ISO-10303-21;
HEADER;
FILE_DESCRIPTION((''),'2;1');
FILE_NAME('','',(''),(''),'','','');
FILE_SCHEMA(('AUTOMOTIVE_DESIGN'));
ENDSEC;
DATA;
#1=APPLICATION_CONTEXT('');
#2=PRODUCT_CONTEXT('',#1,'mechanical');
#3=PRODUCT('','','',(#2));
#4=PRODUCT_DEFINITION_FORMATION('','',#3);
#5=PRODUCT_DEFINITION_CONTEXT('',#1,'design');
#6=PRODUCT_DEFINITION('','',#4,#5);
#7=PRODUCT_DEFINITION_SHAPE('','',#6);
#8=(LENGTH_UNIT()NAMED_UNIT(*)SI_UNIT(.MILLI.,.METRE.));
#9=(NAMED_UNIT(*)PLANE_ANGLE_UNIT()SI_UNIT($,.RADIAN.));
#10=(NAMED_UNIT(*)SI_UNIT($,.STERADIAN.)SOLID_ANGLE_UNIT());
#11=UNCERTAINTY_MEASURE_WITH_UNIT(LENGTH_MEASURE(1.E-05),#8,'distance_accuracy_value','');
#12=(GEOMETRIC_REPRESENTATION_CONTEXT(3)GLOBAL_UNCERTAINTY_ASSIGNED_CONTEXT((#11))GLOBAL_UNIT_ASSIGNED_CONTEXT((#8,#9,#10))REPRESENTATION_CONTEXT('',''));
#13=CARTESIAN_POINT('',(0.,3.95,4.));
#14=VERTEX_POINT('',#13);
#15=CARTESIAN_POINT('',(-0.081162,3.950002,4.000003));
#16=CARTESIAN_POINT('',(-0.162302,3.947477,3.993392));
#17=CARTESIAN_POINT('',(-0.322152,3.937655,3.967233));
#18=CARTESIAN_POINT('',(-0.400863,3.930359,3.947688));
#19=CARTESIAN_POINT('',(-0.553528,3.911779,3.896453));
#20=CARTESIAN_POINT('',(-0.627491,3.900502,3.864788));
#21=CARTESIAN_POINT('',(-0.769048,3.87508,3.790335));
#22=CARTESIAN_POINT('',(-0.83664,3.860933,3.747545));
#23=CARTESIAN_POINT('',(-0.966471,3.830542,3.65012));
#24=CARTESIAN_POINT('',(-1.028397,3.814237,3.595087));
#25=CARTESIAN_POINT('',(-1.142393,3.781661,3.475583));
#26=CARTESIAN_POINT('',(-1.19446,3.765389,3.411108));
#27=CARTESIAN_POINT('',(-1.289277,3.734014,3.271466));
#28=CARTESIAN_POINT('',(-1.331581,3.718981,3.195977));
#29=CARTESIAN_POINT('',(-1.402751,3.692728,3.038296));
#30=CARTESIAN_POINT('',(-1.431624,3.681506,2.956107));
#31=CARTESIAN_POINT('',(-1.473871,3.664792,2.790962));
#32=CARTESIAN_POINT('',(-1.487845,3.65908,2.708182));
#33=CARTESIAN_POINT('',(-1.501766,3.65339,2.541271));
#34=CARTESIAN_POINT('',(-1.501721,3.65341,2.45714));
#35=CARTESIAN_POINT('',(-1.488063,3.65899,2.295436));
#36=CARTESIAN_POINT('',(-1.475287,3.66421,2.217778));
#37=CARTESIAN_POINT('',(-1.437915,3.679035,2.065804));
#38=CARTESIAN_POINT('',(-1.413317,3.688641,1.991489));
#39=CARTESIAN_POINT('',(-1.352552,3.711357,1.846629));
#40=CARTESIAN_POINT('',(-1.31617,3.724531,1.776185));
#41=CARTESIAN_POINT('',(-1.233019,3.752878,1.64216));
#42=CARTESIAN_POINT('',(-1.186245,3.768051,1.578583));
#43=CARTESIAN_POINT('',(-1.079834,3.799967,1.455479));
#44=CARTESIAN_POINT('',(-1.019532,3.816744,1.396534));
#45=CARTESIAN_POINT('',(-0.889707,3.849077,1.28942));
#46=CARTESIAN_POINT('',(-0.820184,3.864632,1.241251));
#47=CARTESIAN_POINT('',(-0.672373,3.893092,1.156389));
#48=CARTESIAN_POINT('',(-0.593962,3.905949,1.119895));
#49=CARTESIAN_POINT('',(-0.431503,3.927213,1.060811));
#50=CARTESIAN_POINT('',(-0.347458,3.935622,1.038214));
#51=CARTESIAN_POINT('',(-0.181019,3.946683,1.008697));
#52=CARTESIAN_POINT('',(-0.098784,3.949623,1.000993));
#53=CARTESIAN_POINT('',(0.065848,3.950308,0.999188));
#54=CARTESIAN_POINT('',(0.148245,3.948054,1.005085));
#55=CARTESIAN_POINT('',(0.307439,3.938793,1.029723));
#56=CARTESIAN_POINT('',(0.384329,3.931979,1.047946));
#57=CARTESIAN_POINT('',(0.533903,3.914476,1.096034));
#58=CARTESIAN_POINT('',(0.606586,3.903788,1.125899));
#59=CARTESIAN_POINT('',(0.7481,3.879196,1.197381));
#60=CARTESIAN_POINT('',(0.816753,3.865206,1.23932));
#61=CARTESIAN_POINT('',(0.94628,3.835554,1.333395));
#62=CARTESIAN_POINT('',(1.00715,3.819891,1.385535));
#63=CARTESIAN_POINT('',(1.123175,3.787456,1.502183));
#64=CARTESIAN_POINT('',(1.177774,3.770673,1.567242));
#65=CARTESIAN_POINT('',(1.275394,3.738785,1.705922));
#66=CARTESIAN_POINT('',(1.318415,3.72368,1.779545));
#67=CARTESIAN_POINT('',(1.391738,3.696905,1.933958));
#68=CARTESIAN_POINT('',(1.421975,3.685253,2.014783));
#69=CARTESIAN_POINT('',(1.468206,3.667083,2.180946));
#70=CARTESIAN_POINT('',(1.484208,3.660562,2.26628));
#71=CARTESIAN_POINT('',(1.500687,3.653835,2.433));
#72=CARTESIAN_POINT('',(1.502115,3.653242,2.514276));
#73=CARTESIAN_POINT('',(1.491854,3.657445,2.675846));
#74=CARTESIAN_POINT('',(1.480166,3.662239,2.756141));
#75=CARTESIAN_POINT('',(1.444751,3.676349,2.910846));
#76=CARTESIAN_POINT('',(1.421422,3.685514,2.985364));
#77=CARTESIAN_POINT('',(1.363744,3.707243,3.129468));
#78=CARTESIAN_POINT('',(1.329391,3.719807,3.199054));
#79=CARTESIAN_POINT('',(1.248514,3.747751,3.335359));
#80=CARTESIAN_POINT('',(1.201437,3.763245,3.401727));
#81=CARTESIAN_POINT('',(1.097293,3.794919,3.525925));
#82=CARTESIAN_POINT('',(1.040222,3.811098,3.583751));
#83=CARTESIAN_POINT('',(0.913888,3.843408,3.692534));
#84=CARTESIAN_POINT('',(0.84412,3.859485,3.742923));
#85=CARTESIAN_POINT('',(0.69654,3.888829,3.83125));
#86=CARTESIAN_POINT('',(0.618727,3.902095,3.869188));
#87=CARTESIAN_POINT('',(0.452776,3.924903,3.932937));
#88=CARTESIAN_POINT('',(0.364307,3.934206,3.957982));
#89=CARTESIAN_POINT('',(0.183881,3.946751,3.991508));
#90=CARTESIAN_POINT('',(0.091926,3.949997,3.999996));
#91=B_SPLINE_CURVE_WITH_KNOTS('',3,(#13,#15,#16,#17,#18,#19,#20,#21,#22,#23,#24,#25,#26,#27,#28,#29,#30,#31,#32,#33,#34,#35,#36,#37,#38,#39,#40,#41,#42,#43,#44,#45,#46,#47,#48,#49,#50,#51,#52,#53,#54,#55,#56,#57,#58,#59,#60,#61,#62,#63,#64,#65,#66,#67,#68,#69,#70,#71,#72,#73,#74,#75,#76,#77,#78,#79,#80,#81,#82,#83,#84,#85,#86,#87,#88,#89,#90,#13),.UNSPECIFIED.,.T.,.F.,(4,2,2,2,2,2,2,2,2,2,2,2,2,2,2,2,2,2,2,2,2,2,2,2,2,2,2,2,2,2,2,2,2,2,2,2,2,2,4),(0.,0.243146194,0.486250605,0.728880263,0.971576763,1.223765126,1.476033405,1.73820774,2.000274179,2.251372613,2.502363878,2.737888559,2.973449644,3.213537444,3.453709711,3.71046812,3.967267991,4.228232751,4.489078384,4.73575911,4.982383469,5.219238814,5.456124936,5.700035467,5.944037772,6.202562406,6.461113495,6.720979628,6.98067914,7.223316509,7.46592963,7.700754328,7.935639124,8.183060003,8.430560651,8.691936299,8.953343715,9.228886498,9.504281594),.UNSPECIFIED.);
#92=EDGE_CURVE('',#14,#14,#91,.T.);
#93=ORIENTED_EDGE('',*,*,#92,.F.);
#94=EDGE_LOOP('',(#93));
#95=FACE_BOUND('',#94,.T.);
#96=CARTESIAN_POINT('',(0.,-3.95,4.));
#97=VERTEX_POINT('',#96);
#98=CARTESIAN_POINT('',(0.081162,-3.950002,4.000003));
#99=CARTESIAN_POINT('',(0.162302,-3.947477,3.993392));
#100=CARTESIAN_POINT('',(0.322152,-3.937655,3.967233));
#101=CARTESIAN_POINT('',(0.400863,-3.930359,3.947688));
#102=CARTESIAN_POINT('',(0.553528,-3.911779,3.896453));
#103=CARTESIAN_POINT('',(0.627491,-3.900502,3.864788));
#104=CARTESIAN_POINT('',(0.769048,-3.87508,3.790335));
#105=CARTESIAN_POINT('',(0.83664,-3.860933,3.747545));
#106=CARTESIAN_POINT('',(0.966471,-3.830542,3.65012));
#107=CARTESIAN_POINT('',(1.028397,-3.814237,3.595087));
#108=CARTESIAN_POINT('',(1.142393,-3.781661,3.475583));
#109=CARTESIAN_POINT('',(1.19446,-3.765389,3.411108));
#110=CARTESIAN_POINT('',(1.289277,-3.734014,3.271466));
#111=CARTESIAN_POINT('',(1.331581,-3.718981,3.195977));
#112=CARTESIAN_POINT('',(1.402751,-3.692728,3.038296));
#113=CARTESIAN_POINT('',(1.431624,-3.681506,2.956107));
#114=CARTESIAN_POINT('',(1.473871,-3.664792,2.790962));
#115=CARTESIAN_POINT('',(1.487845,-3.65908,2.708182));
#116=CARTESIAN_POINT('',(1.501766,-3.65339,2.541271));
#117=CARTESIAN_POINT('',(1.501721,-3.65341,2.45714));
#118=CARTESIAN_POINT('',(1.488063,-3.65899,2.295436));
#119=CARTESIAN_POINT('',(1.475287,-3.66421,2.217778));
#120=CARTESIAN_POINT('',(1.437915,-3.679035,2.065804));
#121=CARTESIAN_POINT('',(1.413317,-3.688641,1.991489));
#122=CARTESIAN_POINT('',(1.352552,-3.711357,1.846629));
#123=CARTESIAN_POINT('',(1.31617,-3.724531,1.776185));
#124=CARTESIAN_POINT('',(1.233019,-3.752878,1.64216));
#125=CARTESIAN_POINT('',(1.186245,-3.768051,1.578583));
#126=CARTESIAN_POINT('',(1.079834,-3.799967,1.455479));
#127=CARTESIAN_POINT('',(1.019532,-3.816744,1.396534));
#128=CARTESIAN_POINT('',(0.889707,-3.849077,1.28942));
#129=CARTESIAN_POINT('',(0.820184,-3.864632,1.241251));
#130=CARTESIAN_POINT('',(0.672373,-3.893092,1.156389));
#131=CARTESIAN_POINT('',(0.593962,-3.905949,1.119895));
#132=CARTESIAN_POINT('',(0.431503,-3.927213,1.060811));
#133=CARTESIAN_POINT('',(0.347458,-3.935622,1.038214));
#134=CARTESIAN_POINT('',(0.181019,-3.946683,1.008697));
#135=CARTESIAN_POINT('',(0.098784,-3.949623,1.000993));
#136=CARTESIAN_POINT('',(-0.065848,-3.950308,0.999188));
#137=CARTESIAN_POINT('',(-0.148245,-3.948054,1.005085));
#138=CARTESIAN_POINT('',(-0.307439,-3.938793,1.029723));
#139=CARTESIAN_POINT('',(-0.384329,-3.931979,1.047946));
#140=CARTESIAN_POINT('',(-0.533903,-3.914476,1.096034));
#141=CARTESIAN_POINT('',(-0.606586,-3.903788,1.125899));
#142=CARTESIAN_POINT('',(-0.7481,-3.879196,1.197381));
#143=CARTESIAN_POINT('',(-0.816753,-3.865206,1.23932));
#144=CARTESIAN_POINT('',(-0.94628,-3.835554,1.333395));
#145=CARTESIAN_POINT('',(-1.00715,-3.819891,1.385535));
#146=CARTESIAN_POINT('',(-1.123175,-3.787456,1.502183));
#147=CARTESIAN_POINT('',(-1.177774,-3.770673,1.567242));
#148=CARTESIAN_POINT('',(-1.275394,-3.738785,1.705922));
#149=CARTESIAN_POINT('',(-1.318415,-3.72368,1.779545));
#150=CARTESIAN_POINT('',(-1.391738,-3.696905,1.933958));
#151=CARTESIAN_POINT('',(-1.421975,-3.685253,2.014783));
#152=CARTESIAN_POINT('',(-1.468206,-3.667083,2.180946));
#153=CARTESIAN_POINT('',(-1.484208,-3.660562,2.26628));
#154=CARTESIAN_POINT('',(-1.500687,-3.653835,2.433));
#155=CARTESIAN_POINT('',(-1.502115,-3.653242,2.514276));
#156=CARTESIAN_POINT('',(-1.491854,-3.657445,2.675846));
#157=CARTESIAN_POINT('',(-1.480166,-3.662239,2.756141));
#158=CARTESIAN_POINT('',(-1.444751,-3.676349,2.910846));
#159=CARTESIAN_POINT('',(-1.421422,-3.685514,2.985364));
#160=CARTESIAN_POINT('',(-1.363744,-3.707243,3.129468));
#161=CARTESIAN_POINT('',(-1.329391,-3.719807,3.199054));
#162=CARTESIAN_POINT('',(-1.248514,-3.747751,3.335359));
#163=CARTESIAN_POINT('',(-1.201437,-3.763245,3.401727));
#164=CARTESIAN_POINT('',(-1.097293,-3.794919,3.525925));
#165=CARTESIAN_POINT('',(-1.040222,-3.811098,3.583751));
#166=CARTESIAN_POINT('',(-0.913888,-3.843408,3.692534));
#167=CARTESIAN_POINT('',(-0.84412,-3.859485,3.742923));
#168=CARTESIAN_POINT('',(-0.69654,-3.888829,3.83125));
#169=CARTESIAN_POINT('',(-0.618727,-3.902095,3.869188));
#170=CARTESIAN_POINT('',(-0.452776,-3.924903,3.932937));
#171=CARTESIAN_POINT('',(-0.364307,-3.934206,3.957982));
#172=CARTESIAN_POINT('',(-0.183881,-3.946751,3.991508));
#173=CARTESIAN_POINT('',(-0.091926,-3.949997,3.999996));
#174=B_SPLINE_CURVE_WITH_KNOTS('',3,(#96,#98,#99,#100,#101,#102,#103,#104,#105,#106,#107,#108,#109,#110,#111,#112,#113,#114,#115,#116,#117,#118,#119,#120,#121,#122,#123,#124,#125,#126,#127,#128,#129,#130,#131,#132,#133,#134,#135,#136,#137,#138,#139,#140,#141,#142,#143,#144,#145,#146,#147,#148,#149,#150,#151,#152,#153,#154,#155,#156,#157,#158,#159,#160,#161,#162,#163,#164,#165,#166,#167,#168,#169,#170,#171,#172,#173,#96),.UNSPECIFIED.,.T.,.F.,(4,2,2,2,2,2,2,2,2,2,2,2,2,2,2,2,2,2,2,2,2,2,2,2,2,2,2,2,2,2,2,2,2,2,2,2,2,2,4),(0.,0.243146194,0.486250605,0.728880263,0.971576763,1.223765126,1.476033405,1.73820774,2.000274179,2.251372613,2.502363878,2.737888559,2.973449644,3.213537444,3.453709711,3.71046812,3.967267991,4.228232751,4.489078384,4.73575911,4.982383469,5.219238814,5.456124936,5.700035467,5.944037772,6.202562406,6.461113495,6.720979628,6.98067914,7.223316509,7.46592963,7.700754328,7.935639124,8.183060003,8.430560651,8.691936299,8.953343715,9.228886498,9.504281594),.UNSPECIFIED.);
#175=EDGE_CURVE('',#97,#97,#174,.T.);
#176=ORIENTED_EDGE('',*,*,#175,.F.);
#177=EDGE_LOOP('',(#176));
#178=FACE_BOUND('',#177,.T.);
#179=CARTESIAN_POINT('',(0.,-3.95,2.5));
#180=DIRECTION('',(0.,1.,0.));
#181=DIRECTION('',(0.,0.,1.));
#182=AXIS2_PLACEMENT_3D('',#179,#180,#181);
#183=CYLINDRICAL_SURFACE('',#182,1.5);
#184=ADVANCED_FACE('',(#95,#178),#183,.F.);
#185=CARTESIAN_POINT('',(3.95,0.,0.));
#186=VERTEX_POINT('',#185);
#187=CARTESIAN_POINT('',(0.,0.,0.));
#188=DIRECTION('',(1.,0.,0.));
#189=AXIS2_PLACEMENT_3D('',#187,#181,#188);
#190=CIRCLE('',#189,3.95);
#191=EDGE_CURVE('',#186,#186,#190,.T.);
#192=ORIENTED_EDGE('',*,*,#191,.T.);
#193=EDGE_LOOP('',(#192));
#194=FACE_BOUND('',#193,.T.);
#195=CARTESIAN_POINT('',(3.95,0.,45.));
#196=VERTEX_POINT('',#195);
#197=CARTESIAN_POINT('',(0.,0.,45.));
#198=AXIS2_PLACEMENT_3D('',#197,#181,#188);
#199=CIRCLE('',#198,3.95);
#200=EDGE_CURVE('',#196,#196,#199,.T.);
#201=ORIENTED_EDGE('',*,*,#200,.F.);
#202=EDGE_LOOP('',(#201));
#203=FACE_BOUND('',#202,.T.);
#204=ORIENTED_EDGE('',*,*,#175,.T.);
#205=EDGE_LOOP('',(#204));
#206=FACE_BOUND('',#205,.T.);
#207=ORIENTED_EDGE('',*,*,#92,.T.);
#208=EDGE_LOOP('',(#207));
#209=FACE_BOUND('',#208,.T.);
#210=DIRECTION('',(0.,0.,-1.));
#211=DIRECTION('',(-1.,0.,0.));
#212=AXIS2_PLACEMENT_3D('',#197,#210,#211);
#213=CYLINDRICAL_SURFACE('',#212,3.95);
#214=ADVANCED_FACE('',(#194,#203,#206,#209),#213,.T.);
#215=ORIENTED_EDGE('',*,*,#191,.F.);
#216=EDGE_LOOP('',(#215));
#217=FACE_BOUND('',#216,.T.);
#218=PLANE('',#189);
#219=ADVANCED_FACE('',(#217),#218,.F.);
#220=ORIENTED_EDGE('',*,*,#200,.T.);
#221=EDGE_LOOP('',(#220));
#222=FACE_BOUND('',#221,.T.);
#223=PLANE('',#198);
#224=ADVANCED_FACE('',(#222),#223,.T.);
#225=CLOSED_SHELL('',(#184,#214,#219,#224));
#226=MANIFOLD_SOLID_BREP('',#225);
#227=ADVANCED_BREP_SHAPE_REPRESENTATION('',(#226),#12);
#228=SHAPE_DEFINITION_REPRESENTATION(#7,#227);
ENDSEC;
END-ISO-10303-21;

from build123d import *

# Parameters (mm, degrees)
SKETCH1_R               = 3.95
BOSS_EXTRUDE1_DEPTH     = 45
CUT_EXTRUDE1_DEPTH      = 46.345396679
CUT_EXTRUDE1_DEPTH_BACK = 46.345396679
SKETCH2_R               = 1.5


with BuildPart() as part:
    # Sketch1 → Boss-Extrude1 (new body)
    with BuildSketch(Plane.XY):
        Circle(SKETCH1_R)
    extrude(amount=BOSS_EXTRUDE1_DEPTH)

    # Sketch2 → Cut-Extrude1 (cut, two sides: drawn at the far end of the back side and taken through both)
    with BuildSketch(Plane(origin=(0, 0, 0), x_dir=(1, 0, 0), z_dir=(0, 1, 0)).offset(-CUT_EXTRUDE1_DEPTH_BACK)):
        with Locations(Location((0, -2.5, 0), (0, 0, 270))):
            Circle(SKETCH2_R)
    extrude(amount=CUT_EXTRUDE1_DEPTH + CUT_EXTRUDE1_DEPTH_BACK, mode=Mode.SUBTRACT)


solid = part.part
